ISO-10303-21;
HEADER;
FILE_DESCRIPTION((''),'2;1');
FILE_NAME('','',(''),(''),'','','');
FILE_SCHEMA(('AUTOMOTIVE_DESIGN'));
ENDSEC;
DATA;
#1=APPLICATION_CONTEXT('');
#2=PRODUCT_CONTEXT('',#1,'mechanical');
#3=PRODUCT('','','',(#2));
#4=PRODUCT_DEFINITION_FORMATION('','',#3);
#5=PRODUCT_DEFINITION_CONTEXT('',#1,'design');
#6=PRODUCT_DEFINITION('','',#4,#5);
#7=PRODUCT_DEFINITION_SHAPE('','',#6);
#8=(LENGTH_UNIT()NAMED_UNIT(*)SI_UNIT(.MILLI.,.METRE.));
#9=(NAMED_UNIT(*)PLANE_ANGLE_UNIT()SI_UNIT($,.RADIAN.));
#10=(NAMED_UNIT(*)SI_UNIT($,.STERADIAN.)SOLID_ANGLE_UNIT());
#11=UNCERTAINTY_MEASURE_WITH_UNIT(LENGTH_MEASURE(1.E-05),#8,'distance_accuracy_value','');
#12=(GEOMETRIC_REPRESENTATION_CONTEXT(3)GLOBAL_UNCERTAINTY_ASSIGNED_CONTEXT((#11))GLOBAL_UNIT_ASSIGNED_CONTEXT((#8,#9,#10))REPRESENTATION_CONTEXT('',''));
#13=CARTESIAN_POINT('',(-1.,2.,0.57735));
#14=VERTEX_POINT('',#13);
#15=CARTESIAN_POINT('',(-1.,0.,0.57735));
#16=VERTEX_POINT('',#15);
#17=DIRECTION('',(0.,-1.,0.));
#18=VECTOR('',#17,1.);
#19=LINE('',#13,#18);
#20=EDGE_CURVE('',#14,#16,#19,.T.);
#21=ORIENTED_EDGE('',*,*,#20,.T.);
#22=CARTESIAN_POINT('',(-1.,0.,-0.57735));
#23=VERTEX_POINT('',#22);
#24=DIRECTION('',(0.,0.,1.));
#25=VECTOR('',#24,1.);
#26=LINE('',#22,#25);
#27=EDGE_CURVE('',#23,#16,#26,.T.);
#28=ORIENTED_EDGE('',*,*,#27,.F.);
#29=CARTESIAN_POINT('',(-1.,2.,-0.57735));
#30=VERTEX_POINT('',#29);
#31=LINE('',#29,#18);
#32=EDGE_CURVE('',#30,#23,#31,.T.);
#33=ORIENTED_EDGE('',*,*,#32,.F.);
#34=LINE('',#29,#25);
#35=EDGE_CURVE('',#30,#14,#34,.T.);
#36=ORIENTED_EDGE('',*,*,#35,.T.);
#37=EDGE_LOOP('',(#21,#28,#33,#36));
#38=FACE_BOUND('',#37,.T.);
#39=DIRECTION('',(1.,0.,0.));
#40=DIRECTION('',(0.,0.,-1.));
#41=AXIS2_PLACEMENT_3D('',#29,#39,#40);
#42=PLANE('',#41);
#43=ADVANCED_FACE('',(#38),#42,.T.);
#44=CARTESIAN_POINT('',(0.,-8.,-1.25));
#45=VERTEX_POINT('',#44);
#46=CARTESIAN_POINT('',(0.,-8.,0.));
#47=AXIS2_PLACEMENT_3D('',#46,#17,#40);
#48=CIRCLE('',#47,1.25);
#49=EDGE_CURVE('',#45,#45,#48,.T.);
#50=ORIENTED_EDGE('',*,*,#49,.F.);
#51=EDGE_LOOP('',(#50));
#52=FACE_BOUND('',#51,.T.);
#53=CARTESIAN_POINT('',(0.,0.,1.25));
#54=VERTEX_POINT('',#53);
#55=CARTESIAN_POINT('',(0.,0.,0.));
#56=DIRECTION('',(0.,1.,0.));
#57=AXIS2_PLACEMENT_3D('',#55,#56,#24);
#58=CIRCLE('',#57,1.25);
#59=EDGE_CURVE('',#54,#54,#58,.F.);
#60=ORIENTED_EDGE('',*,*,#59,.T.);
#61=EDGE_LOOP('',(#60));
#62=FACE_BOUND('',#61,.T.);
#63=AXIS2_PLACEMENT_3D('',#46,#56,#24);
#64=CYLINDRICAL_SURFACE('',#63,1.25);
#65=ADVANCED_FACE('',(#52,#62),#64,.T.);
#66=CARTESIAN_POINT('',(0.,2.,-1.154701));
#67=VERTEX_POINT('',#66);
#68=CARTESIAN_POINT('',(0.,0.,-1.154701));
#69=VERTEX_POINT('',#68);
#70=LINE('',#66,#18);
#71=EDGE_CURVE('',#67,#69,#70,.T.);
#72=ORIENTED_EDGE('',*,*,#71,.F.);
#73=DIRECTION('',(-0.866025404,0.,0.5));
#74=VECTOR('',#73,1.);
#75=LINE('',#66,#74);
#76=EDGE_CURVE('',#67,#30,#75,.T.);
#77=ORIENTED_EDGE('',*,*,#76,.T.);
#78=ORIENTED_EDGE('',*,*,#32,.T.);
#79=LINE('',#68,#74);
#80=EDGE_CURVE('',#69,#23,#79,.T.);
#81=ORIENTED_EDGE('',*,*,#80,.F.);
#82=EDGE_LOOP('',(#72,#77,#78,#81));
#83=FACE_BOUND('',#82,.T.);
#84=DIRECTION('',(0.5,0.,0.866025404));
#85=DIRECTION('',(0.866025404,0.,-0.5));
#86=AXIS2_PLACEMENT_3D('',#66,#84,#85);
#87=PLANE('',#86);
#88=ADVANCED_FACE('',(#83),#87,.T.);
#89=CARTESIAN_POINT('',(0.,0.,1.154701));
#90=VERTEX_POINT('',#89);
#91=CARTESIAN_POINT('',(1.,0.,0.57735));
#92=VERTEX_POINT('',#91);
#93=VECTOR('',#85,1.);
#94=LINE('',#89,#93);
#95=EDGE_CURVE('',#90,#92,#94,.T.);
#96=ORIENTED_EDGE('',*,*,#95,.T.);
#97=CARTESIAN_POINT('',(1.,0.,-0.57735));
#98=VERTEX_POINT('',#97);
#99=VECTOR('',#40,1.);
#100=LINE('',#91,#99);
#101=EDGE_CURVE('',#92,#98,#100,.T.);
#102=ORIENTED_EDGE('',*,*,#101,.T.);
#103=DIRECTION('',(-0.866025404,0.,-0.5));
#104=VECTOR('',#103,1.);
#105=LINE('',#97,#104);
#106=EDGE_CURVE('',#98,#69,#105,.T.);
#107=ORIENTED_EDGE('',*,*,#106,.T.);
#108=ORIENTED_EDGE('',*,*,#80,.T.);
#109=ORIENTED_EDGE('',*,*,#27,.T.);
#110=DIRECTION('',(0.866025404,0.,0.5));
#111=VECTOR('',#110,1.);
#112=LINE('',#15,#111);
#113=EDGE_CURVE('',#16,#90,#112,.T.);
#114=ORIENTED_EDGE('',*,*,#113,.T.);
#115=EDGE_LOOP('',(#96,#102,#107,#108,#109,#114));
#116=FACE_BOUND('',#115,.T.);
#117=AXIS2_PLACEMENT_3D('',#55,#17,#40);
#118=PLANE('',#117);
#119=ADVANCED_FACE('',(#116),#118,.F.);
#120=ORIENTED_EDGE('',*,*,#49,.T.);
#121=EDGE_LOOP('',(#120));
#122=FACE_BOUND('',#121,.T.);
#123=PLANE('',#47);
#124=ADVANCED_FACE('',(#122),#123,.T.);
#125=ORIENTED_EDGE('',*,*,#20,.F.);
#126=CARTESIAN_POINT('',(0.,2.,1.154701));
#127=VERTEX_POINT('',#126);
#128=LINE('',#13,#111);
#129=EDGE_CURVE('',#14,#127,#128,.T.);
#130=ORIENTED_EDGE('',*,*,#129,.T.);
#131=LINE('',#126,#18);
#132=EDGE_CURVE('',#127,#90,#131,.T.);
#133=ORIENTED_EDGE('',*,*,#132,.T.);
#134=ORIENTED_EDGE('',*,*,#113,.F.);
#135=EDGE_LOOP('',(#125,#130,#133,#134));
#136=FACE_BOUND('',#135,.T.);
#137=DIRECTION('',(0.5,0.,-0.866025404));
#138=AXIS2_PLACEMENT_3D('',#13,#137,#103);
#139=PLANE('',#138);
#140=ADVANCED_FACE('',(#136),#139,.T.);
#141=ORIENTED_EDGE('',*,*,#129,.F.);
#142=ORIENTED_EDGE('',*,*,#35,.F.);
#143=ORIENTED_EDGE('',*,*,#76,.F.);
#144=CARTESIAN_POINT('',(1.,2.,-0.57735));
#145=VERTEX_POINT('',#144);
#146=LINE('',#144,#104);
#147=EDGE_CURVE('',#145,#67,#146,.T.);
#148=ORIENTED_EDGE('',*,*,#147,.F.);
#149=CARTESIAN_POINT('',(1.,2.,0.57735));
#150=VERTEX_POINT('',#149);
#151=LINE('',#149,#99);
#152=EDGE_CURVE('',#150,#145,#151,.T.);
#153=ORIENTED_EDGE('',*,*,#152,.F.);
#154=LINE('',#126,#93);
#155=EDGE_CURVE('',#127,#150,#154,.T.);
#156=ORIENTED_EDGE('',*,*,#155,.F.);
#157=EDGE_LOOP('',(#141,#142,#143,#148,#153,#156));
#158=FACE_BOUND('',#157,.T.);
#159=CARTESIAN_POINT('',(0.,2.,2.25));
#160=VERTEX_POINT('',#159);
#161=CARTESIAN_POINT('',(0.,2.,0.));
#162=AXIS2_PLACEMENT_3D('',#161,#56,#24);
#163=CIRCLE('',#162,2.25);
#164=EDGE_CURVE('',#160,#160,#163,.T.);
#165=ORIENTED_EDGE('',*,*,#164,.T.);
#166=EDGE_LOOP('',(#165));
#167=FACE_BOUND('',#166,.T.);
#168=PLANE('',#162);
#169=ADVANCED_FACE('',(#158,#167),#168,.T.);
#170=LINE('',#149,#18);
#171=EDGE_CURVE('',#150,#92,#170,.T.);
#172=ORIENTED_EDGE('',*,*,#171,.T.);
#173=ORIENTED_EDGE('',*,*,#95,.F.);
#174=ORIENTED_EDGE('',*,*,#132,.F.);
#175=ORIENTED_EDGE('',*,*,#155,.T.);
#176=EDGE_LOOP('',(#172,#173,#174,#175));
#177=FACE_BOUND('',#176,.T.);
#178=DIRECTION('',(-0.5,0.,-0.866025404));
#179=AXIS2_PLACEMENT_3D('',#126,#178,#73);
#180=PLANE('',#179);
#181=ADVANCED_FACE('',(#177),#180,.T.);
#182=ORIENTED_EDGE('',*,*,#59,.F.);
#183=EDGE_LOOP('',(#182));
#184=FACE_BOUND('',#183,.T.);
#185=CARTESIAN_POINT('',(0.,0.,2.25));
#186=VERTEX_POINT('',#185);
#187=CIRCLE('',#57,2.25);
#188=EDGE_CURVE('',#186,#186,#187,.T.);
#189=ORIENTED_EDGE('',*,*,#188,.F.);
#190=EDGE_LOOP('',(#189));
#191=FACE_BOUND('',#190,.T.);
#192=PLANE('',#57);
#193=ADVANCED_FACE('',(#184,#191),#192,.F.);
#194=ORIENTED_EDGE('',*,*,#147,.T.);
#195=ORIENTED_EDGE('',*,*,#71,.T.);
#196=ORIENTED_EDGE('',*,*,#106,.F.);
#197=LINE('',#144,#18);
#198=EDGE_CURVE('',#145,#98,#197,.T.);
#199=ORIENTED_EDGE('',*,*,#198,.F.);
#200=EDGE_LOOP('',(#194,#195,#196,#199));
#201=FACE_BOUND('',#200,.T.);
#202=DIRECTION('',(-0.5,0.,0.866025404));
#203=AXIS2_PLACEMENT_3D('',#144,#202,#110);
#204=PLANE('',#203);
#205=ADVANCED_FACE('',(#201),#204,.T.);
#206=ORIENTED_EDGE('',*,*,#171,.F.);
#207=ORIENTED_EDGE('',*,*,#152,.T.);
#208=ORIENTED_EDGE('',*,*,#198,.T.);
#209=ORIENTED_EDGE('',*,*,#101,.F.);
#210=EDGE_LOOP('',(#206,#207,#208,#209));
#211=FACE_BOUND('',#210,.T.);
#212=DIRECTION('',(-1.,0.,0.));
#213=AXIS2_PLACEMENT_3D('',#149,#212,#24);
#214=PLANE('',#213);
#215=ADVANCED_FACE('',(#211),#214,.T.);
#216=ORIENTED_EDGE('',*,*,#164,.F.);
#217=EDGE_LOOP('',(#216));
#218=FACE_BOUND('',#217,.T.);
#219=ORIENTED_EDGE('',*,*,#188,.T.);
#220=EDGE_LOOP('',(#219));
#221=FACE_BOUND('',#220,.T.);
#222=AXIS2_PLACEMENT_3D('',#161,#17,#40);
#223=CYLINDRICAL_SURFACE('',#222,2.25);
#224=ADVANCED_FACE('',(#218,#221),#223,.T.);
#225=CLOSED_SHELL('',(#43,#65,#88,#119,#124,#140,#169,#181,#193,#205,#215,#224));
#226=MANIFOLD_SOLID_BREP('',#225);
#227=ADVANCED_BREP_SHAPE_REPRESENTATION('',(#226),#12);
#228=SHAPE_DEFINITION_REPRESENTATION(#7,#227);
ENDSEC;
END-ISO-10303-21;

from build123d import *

# Parameters (mm, degrees)
SKETCH_1_R      = 2.25
EXTRUDE_1_DEPTH = 2
SKETCH_2_R      = 1.25
EXTRUDE_2_DEPTH = 8


with BuildPart() as part:
    # 草图1 → 凸台-拉伸1 (new body)
    with BuildSketch(Plane(origin=(0, 0, 0), x_dir=(1, 0, 0), z_dir=(0, 1, 0))):
        with Locations(Location((0, 0, 0), (0, 0, 270))):
            Circle(SKETCH_1_R)
        Polygon((0, 1.154700538), (-1, 0.577350269), (-1, -0.577350269), (0, -1.154700538), (1, -0.577350269), (1, 0.577350269), align=None, mode=Mode.SUBTRACT)
    extrude(amount=EXTRUDE_1_DEPTH)

    # 草图2 → 凸台-拉伸2 (add)
    with BuildSketch(Plane.XZ):
        with Locations(Location((0, 0, 0), (0, 0, 90))):
            Circle(SKETCH_2_R)
    extrude(amount=EXTRUDE_2_DEPTH)


solid = part.part
